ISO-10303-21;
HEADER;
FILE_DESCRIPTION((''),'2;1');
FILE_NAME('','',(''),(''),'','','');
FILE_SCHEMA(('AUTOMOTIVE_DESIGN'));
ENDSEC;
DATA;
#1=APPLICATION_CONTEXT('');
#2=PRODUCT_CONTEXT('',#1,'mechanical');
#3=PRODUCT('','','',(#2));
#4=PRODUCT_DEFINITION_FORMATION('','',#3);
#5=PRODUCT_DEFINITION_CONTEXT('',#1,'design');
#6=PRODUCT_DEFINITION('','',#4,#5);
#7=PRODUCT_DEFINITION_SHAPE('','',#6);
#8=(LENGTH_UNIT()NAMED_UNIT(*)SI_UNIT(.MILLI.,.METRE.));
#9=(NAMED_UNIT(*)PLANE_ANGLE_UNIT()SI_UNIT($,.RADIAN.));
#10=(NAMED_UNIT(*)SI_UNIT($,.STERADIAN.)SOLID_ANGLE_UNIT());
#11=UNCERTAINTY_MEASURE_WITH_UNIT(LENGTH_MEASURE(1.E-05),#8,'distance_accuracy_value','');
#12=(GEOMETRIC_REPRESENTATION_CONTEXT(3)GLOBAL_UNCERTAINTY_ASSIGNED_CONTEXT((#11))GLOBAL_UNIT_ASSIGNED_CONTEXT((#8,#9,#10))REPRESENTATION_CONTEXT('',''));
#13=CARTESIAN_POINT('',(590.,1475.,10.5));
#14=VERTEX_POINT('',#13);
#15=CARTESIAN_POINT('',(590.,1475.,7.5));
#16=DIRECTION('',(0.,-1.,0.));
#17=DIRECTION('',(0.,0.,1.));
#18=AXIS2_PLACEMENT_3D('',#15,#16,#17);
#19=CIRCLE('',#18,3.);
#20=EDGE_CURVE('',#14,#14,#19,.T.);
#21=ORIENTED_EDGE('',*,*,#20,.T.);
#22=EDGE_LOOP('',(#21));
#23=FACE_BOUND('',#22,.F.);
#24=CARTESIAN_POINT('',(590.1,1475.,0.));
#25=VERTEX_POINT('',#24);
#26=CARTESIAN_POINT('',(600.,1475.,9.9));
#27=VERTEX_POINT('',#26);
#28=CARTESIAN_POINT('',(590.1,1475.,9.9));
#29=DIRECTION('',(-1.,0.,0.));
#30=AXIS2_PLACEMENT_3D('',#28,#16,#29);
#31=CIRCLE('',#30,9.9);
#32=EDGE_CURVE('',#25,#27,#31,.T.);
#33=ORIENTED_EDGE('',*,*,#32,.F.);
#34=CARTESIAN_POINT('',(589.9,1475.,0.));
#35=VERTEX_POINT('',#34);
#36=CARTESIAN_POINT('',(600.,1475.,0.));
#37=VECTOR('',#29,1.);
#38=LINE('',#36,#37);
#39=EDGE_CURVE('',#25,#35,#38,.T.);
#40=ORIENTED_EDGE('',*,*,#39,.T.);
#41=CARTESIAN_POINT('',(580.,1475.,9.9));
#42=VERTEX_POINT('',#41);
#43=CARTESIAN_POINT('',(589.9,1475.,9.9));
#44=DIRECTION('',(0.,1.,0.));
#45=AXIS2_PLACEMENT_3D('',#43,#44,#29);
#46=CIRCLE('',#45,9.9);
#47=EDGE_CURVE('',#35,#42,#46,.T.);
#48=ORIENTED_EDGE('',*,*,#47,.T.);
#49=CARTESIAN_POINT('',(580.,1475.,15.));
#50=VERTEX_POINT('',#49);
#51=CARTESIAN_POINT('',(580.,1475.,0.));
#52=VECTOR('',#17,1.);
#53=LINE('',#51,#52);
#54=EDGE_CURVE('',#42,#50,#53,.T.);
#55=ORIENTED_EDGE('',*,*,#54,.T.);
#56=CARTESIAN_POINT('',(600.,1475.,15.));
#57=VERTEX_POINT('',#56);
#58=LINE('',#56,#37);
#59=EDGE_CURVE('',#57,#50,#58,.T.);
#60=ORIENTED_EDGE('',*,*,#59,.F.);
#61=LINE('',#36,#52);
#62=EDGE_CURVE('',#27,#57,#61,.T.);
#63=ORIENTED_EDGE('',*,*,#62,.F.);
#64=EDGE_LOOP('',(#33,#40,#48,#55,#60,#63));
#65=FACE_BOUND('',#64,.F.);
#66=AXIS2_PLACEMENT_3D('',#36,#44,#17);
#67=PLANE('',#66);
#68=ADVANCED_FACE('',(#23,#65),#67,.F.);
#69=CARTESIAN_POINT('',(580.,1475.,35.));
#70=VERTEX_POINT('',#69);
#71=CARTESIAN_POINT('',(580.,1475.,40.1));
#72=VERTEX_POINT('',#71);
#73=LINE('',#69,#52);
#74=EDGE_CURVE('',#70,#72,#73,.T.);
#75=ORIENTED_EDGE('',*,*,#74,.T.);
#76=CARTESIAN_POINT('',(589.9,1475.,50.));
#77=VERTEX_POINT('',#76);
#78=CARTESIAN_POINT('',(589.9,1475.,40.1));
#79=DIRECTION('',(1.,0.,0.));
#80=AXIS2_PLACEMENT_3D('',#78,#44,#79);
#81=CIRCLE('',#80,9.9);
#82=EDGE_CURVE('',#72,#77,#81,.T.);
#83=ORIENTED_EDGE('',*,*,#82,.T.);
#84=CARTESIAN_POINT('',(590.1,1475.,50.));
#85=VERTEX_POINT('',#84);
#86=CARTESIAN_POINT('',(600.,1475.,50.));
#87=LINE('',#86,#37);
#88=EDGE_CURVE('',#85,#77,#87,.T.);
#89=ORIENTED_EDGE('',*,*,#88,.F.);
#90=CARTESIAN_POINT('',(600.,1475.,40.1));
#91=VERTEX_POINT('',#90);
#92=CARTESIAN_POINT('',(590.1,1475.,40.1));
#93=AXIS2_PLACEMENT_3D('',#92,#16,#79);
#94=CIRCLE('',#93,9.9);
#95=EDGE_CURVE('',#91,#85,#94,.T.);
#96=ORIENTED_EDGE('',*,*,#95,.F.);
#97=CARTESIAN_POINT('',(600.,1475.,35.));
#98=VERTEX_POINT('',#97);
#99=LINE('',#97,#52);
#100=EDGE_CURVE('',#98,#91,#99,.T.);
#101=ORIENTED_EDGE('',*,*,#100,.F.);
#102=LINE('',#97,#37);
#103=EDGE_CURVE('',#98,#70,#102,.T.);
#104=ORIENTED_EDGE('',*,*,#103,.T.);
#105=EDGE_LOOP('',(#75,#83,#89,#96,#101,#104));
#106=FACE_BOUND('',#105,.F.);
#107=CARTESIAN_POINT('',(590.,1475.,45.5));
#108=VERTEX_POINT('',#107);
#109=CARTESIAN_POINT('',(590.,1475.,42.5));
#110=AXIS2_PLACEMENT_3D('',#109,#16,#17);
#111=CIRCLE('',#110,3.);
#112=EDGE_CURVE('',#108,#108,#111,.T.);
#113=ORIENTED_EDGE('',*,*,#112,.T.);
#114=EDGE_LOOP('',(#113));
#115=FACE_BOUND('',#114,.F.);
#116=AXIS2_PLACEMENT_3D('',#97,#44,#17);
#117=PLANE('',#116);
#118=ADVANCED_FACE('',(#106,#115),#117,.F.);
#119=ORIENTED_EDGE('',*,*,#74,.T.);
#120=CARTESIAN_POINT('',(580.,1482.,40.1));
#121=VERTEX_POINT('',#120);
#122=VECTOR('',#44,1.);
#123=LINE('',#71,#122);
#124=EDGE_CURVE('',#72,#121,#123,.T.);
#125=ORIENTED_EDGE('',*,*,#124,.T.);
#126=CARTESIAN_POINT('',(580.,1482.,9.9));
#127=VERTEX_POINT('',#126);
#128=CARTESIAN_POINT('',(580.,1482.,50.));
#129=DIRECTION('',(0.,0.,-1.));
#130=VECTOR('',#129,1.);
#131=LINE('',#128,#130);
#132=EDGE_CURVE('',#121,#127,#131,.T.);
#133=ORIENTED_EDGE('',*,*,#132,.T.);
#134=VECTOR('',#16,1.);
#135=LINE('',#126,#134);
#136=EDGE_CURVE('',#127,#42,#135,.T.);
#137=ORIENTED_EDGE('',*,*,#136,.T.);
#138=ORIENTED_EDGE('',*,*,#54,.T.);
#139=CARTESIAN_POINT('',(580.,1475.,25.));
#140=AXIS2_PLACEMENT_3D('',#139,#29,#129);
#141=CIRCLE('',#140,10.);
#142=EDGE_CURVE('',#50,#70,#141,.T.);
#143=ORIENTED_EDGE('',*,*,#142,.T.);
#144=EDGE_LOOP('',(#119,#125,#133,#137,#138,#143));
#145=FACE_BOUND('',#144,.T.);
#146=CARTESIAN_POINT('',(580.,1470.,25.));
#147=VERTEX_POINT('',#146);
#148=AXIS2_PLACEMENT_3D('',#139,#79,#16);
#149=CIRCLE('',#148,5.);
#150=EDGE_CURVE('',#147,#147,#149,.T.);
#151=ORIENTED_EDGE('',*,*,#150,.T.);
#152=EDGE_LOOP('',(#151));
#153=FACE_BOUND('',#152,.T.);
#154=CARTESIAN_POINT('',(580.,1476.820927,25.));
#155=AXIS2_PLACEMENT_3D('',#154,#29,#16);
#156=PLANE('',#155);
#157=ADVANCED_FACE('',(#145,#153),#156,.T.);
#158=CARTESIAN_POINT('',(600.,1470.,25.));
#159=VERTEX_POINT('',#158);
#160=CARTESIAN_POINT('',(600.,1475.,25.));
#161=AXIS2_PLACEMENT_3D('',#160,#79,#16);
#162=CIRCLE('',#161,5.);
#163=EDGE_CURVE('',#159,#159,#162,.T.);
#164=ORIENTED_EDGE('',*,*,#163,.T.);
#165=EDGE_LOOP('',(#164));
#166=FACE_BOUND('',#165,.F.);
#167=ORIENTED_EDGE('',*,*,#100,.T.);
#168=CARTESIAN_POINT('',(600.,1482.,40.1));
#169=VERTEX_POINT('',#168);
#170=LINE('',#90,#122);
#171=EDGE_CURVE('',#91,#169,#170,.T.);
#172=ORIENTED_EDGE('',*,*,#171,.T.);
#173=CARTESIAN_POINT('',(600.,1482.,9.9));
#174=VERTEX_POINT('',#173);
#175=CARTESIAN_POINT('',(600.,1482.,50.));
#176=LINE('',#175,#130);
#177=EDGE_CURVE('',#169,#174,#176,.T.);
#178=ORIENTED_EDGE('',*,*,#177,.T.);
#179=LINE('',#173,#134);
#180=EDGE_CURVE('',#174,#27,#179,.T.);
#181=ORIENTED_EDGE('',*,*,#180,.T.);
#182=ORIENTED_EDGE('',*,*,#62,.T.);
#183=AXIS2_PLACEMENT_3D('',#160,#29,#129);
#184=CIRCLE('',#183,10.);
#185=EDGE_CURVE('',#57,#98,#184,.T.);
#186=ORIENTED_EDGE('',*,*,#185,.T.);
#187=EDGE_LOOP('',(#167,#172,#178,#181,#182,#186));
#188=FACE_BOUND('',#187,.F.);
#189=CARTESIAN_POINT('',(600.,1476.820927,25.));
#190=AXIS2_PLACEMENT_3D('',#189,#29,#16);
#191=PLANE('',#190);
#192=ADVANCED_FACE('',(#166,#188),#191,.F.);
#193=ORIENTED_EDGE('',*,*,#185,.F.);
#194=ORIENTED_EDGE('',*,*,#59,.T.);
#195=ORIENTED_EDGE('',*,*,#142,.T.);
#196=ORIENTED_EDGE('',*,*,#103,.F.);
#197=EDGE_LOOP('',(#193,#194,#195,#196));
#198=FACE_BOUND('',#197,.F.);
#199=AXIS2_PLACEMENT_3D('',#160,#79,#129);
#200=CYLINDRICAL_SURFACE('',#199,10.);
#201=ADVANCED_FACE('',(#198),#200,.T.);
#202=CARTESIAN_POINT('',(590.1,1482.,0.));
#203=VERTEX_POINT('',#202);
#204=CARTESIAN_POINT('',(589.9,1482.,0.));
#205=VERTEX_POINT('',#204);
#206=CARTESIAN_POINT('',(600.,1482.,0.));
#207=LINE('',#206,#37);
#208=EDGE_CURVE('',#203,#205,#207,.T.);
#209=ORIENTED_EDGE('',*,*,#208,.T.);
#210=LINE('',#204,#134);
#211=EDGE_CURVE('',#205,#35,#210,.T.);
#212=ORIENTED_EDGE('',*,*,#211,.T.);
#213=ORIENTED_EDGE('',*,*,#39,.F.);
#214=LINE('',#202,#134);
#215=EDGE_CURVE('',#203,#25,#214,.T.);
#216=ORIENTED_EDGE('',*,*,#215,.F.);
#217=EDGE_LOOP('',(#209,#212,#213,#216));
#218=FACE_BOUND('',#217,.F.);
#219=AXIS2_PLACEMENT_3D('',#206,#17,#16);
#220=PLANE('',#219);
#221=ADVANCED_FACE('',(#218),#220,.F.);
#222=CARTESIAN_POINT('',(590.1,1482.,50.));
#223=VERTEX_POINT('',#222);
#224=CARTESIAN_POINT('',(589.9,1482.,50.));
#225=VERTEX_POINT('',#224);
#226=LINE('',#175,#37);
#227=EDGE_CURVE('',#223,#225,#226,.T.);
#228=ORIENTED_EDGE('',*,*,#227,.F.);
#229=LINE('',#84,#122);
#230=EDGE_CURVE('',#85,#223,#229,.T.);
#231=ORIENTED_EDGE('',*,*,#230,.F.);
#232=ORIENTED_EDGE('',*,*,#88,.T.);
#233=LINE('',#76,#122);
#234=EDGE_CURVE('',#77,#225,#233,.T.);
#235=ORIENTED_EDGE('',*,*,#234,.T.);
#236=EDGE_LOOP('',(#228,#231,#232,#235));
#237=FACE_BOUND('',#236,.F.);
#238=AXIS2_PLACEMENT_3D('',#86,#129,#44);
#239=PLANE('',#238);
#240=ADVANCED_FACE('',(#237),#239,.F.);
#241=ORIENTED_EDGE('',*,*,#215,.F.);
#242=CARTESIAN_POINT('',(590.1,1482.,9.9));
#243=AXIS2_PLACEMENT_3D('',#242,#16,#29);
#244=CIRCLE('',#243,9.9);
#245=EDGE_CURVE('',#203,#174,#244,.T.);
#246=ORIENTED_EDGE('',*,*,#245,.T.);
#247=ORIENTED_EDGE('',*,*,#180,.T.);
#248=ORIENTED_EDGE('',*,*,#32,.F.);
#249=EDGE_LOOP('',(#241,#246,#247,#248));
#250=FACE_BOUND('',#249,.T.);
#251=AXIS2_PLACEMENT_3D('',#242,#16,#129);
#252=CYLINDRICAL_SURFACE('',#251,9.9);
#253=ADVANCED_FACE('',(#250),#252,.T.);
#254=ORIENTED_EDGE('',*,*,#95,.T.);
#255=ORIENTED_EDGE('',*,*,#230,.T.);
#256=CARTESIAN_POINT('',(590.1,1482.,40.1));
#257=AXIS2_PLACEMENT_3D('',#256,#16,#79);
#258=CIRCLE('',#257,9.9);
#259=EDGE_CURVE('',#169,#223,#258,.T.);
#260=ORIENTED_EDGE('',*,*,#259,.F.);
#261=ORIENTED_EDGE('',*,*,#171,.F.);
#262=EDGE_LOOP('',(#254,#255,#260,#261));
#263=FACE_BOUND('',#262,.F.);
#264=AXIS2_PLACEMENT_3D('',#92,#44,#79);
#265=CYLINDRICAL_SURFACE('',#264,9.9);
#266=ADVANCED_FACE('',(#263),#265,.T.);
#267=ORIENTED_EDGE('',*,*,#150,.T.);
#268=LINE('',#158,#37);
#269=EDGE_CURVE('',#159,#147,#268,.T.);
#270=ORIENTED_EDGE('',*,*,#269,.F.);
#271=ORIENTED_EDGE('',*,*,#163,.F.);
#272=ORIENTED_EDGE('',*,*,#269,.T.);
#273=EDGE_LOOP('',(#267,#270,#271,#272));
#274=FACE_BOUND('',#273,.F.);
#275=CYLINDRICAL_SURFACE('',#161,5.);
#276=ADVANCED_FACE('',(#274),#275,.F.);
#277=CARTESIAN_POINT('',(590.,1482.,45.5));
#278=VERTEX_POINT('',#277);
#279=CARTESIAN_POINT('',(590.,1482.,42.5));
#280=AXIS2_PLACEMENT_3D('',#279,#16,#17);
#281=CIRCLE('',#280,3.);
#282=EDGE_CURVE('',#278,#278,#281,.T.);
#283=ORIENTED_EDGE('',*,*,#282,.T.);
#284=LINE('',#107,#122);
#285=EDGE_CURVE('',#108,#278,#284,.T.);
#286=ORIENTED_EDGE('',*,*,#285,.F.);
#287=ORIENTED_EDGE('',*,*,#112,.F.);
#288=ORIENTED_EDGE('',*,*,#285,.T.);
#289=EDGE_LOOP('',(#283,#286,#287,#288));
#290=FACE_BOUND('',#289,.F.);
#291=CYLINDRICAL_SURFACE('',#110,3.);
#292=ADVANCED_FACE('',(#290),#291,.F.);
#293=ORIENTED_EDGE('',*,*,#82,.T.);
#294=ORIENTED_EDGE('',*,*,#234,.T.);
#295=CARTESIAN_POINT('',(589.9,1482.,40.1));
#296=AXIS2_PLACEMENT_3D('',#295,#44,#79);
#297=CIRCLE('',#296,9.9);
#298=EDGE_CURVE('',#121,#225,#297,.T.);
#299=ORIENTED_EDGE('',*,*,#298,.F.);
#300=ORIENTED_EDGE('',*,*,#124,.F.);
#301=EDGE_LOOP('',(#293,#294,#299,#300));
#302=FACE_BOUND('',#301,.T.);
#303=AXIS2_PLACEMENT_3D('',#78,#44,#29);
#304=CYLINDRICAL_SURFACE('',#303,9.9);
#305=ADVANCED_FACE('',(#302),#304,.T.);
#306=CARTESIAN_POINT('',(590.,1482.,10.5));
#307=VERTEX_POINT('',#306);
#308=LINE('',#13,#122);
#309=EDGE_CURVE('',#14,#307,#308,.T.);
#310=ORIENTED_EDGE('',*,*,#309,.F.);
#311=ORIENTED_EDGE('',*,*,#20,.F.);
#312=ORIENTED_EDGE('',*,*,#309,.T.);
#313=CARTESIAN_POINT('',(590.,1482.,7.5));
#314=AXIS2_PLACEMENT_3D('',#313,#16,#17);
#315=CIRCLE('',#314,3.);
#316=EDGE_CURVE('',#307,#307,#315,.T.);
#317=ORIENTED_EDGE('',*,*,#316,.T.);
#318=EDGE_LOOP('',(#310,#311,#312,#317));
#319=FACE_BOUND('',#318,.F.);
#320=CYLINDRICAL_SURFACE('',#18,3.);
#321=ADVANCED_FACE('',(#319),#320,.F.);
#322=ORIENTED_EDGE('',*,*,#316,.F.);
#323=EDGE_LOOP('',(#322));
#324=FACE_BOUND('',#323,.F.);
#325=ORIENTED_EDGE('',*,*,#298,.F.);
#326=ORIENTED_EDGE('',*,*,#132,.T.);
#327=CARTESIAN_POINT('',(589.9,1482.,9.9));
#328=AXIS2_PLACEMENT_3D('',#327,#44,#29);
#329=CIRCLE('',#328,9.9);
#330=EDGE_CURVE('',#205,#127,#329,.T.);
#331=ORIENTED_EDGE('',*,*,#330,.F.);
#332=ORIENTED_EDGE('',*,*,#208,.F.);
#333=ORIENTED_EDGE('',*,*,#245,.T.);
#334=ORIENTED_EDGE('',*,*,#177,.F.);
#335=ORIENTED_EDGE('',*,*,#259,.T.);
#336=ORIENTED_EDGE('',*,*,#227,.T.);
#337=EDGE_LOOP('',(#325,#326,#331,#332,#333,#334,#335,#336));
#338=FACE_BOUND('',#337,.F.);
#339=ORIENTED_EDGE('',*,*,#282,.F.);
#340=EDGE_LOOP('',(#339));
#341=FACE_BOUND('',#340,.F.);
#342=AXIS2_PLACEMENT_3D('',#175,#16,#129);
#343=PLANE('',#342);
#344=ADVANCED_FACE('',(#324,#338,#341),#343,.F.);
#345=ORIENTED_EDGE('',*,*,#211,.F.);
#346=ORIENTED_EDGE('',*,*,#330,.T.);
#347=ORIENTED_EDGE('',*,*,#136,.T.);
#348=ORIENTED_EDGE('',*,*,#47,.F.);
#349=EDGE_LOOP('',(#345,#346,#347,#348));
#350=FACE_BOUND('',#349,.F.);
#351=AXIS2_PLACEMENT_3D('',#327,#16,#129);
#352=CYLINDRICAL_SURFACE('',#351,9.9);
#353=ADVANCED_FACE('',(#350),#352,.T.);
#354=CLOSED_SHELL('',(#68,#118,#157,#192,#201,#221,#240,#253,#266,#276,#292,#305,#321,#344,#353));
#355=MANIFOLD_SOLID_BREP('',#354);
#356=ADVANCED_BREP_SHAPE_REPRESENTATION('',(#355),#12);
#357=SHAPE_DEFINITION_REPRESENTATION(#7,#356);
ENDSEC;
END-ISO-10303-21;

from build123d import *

# Parameters (mm, degrees)
PAD030_DEPTH             = 20
SKETCH021_R              = 5
POCKET001006_DEPTH       = 20.001
FILLET_R                 = 9.9
SKETCH024_R              = 3
POCKET002_DEPTH          = 7.001
CLONE076_ROLL_ANGLE      = 90
CLONE076_PLACEMENT_ANGLE = -90


with BuildPart() as part:
    # Sketch020 → Pad030 (new body)
    with BuildSketch(Plane.XY):
        with BuildLine():
            Line((18, 0), (25, 0))
            Line((25, 0), (25, 15))
            ThreePointArc((25, 15), (35, 25), (25, 35))
            Line((25, 35), (25, 50))
            Line((25, 50), (18, 50))
            Line((18, 50), (18, 0))
        make_face()
    extrude(amount=PAD030_DEPTH)

    # Sketch021 → Pocket001006 (cut, through all)
    with BuildSketch(Plane(origin=(0, 0, 0), x_dir=(1, 0, 0), z_dir=(0, 0, -1))):
        with Locations((25, -25)):
            Circle(SKETCH021_R)
    extrude(amount=-POCKET001006_DEPTH, mode=Mode.SUBTRACT)

    # Fillet
    fillet_edges = [part.edges().sort_by_distance(p)[0] for p in [
        (21.5, 0, 0),
        (21.5, 50, 0),
        (21.5, 50, 20),
        (21.5, 0, 20),
    ]]
    fillet(fillet_edges, radius=FILLET_R)

    # Sketch024 → Pocket002 (cut, through all)
    with BuildSketch(Plane.YZ.offset(25)):
        with Locations((7.5, 10)):
            Circle(SKETCH024_R)
        with Locations((42.5, 10)):
            Circle(SKETCH024_R)
    extrude(amount=-POCKET002_DEPTH, mode=Mode.SUBTRACT)


with BuildPart() as part_1:
    # Clone076 roll: moved
    add(part.part.rotate(Axis((0, 0, 0), (1, 0, 0)), CLONE076_ROLL_ANGLE))


with BuildPart() as part_2:
    # Clone076 placement: moved
    add(part_1.part.moved(Location((120.75, 1500, 0))).rotate(Axis((120.75, 1500, 0), (0, 0, 1)), CLONE076_PLACEMENT_ANGLE))


with BuildPart() as part_3:
    # Clone080 placement: moved
    add(part_2.part.moved(Location((479.25, 0, 0))))


solid = part_3.part
